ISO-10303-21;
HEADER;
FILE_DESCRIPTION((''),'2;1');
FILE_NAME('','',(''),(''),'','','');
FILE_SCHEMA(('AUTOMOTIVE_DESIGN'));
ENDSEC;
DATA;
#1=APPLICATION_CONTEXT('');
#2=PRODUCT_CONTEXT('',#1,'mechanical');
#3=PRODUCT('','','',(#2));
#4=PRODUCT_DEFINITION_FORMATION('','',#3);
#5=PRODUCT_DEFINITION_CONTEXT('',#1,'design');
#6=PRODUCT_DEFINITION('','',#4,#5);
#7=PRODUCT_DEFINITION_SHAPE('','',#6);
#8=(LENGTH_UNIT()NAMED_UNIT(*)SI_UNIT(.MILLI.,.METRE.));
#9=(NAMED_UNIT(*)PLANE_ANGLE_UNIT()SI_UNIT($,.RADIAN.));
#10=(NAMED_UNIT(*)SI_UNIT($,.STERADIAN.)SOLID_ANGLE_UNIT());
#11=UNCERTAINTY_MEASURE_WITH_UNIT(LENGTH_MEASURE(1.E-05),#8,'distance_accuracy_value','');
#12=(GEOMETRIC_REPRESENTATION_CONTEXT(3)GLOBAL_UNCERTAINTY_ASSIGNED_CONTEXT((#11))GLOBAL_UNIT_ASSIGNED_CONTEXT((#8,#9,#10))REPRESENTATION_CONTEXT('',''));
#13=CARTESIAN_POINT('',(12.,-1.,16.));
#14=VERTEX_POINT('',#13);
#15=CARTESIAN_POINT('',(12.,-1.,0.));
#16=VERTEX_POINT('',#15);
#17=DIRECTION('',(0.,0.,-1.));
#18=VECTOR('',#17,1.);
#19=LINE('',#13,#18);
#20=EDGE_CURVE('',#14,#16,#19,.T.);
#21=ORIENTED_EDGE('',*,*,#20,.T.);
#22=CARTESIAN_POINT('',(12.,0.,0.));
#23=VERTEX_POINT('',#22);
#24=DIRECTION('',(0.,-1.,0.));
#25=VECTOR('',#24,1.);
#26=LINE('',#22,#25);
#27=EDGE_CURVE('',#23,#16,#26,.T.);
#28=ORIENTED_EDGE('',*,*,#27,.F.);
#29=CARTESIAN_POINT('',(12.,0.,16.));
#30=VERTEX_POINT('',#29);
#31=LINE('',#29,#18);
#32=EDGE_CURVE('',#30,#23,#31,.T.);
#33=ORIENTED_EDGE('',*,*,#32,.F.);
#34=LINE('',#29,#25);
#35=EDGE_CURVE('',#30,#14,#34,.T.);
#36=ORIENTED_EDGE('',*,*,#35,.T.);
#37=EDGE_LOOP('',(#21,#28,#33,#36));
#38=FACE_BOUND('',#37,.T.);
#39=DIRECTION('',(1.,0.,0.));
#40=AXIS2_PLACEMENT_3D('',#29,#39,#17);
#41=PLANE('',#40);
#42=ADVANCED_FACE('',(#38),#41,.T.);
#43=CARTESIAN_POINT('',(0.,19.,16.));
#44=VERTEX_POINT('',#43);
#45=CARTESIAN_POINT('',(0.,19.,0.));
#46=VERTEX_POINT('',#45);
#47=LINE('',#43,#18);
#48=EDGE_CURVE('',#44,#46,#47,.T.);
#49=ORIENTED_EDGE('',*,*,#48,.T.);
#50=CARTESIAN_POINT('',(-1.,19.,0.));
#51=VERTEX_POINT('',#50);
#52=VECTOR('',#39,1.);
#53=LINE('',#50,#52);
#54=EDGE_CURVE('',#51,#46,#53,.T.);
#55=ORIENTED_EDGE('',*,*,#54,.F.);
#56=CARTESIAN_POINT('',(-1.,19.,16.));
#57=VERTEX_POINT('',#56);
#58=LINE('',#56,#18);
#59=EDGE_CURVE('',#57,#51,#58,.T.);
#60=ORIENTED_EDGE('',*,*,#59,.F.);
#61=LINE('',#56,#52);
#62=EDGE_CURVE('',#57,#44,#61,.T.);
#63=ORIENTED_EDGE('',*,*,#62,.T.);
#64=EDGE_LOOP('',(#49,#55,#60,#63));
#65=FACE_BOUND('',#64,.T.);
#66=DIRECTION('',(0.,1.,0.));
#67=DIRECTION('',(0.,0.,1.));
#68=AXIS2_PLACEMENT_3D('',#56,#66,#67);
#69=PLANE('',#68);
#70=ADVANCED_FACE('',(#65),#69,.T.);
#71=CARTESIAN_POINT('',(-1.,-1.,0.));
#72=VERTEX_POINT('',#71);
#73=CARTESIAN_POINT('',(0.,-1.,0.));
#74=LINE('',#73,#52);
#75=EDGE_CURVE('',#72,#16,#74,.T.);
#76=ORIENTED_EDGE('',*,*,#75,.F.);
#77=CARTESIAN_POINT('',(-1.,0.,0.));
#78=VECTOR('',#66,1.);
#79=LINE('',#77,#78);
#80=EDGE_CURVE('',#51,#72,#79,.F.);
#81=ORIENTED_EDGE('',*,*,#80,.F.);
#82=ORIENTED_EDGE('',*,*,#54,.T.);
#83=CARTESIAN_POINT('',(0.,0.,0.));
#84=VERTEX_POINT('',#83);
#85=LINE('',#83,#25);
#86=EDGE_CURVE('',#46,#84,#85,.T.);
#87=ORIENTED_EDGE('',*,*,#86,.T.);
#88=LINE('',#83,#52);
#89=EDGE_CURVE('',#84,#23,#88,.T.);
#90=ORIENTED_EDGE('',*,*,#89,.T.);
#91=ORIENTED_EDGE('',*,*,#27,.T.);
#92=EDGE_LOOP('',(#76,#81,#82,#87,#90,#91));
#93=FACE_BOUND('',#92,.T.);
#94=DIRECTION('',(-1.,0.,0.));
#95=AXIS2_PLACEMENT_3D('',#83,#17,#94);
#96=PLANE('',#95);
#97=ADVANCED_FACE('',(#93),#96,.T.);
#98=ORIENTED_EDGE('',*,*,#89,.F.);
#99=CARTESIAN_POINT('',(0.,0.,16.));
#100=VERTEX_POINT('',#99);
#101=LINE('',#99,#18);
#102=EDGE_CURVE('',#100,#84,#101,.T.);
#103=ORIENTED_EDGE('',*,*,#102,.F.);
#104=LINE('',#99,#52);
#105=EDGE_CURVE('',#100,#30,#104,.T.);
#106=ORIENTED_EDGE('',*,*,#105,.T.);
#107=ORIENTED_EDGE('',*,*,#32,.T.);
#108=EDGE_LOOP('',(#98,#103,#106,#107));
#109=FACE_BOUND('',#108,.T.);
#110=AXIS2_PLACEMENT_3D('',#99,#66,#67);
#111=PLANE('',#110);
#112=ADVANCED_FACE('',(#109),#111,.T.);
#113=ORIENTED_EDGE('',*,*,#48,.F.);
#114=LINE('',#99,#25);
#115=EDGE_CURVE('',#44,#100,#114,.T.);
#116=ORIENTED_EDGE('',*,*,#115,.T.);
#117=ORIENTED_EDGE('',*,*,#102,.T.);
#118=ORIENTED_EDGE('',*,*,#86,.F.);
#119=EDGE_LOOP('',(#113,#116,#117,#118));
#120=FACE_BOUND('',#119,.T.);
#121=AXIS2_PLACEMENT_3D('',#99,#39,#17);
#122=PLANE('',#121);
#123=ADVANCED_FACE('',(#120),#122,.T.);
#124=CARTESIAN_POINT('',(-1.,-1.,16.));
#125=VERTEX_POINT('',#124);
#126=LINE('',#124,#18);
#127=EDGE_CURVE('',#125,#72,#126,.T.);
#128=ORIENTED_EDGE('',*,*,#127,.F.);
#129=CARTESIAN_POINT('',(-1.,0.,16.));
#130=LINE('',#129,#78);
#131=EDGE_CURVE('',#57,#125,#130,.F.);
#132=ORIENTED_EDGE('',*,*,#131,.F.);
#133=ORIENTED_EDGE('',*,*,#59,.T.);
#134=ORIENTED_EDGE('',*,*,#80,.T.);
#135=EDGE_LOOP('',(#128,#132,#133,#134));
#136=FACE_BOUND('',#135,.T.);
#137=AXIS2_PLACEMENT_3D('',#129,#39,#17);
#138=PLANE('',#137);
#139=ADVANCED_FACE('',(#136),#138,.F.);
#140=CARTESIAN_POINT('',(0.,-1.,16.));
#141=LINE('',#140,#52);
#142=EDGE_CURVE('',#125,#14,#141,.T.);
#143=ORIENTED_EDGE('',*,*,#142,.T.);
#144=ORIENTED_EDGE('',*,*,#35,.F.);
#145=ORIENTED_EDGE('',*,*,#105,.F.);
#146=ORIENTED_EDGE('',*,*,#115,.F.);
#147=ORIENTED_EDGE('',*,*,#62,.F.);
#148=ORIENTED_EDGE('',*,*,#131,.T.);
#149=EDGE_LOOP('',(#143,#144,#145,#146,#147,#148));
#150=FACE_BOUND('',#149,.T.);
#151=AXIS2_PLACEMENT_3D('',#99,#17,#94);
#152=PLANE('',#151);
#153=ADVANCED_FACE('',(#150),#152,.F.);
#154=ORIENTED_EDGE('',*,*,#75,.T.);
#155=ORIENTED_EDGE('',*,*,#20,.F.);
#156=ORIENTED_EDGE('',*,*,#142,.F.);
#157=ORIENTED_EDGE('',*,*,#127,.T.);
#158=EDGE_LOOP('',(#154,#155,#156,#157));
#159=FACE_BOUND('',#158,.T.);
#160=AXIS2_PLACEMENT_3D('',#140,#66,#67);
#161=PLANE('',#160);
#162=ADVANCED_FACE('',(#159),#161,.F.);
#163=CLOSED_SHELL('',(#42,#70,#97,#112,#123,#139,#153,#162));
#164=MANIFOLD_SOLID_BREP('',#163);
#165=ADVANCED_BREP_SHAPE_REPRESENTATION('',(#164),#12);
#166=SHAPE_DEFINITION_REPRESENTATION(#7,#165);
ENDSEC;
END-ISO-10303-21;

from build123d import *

# Parameters (mm, degrees)
EXTRUDE_THIN1_DEPTH = 16


with BuildPart() as part:
    # Sketch1 → Extrude-Thin1 (new body)
    with BuildSketch(Plane.XY):
        Polygon((12, 0), (0, 0), (0, 19), (-1, 19), (-1, -1), (12, -1), align=None)
    extrude(amount=EXTRUDE_THIN1_DEPTH)


solid = part.part
